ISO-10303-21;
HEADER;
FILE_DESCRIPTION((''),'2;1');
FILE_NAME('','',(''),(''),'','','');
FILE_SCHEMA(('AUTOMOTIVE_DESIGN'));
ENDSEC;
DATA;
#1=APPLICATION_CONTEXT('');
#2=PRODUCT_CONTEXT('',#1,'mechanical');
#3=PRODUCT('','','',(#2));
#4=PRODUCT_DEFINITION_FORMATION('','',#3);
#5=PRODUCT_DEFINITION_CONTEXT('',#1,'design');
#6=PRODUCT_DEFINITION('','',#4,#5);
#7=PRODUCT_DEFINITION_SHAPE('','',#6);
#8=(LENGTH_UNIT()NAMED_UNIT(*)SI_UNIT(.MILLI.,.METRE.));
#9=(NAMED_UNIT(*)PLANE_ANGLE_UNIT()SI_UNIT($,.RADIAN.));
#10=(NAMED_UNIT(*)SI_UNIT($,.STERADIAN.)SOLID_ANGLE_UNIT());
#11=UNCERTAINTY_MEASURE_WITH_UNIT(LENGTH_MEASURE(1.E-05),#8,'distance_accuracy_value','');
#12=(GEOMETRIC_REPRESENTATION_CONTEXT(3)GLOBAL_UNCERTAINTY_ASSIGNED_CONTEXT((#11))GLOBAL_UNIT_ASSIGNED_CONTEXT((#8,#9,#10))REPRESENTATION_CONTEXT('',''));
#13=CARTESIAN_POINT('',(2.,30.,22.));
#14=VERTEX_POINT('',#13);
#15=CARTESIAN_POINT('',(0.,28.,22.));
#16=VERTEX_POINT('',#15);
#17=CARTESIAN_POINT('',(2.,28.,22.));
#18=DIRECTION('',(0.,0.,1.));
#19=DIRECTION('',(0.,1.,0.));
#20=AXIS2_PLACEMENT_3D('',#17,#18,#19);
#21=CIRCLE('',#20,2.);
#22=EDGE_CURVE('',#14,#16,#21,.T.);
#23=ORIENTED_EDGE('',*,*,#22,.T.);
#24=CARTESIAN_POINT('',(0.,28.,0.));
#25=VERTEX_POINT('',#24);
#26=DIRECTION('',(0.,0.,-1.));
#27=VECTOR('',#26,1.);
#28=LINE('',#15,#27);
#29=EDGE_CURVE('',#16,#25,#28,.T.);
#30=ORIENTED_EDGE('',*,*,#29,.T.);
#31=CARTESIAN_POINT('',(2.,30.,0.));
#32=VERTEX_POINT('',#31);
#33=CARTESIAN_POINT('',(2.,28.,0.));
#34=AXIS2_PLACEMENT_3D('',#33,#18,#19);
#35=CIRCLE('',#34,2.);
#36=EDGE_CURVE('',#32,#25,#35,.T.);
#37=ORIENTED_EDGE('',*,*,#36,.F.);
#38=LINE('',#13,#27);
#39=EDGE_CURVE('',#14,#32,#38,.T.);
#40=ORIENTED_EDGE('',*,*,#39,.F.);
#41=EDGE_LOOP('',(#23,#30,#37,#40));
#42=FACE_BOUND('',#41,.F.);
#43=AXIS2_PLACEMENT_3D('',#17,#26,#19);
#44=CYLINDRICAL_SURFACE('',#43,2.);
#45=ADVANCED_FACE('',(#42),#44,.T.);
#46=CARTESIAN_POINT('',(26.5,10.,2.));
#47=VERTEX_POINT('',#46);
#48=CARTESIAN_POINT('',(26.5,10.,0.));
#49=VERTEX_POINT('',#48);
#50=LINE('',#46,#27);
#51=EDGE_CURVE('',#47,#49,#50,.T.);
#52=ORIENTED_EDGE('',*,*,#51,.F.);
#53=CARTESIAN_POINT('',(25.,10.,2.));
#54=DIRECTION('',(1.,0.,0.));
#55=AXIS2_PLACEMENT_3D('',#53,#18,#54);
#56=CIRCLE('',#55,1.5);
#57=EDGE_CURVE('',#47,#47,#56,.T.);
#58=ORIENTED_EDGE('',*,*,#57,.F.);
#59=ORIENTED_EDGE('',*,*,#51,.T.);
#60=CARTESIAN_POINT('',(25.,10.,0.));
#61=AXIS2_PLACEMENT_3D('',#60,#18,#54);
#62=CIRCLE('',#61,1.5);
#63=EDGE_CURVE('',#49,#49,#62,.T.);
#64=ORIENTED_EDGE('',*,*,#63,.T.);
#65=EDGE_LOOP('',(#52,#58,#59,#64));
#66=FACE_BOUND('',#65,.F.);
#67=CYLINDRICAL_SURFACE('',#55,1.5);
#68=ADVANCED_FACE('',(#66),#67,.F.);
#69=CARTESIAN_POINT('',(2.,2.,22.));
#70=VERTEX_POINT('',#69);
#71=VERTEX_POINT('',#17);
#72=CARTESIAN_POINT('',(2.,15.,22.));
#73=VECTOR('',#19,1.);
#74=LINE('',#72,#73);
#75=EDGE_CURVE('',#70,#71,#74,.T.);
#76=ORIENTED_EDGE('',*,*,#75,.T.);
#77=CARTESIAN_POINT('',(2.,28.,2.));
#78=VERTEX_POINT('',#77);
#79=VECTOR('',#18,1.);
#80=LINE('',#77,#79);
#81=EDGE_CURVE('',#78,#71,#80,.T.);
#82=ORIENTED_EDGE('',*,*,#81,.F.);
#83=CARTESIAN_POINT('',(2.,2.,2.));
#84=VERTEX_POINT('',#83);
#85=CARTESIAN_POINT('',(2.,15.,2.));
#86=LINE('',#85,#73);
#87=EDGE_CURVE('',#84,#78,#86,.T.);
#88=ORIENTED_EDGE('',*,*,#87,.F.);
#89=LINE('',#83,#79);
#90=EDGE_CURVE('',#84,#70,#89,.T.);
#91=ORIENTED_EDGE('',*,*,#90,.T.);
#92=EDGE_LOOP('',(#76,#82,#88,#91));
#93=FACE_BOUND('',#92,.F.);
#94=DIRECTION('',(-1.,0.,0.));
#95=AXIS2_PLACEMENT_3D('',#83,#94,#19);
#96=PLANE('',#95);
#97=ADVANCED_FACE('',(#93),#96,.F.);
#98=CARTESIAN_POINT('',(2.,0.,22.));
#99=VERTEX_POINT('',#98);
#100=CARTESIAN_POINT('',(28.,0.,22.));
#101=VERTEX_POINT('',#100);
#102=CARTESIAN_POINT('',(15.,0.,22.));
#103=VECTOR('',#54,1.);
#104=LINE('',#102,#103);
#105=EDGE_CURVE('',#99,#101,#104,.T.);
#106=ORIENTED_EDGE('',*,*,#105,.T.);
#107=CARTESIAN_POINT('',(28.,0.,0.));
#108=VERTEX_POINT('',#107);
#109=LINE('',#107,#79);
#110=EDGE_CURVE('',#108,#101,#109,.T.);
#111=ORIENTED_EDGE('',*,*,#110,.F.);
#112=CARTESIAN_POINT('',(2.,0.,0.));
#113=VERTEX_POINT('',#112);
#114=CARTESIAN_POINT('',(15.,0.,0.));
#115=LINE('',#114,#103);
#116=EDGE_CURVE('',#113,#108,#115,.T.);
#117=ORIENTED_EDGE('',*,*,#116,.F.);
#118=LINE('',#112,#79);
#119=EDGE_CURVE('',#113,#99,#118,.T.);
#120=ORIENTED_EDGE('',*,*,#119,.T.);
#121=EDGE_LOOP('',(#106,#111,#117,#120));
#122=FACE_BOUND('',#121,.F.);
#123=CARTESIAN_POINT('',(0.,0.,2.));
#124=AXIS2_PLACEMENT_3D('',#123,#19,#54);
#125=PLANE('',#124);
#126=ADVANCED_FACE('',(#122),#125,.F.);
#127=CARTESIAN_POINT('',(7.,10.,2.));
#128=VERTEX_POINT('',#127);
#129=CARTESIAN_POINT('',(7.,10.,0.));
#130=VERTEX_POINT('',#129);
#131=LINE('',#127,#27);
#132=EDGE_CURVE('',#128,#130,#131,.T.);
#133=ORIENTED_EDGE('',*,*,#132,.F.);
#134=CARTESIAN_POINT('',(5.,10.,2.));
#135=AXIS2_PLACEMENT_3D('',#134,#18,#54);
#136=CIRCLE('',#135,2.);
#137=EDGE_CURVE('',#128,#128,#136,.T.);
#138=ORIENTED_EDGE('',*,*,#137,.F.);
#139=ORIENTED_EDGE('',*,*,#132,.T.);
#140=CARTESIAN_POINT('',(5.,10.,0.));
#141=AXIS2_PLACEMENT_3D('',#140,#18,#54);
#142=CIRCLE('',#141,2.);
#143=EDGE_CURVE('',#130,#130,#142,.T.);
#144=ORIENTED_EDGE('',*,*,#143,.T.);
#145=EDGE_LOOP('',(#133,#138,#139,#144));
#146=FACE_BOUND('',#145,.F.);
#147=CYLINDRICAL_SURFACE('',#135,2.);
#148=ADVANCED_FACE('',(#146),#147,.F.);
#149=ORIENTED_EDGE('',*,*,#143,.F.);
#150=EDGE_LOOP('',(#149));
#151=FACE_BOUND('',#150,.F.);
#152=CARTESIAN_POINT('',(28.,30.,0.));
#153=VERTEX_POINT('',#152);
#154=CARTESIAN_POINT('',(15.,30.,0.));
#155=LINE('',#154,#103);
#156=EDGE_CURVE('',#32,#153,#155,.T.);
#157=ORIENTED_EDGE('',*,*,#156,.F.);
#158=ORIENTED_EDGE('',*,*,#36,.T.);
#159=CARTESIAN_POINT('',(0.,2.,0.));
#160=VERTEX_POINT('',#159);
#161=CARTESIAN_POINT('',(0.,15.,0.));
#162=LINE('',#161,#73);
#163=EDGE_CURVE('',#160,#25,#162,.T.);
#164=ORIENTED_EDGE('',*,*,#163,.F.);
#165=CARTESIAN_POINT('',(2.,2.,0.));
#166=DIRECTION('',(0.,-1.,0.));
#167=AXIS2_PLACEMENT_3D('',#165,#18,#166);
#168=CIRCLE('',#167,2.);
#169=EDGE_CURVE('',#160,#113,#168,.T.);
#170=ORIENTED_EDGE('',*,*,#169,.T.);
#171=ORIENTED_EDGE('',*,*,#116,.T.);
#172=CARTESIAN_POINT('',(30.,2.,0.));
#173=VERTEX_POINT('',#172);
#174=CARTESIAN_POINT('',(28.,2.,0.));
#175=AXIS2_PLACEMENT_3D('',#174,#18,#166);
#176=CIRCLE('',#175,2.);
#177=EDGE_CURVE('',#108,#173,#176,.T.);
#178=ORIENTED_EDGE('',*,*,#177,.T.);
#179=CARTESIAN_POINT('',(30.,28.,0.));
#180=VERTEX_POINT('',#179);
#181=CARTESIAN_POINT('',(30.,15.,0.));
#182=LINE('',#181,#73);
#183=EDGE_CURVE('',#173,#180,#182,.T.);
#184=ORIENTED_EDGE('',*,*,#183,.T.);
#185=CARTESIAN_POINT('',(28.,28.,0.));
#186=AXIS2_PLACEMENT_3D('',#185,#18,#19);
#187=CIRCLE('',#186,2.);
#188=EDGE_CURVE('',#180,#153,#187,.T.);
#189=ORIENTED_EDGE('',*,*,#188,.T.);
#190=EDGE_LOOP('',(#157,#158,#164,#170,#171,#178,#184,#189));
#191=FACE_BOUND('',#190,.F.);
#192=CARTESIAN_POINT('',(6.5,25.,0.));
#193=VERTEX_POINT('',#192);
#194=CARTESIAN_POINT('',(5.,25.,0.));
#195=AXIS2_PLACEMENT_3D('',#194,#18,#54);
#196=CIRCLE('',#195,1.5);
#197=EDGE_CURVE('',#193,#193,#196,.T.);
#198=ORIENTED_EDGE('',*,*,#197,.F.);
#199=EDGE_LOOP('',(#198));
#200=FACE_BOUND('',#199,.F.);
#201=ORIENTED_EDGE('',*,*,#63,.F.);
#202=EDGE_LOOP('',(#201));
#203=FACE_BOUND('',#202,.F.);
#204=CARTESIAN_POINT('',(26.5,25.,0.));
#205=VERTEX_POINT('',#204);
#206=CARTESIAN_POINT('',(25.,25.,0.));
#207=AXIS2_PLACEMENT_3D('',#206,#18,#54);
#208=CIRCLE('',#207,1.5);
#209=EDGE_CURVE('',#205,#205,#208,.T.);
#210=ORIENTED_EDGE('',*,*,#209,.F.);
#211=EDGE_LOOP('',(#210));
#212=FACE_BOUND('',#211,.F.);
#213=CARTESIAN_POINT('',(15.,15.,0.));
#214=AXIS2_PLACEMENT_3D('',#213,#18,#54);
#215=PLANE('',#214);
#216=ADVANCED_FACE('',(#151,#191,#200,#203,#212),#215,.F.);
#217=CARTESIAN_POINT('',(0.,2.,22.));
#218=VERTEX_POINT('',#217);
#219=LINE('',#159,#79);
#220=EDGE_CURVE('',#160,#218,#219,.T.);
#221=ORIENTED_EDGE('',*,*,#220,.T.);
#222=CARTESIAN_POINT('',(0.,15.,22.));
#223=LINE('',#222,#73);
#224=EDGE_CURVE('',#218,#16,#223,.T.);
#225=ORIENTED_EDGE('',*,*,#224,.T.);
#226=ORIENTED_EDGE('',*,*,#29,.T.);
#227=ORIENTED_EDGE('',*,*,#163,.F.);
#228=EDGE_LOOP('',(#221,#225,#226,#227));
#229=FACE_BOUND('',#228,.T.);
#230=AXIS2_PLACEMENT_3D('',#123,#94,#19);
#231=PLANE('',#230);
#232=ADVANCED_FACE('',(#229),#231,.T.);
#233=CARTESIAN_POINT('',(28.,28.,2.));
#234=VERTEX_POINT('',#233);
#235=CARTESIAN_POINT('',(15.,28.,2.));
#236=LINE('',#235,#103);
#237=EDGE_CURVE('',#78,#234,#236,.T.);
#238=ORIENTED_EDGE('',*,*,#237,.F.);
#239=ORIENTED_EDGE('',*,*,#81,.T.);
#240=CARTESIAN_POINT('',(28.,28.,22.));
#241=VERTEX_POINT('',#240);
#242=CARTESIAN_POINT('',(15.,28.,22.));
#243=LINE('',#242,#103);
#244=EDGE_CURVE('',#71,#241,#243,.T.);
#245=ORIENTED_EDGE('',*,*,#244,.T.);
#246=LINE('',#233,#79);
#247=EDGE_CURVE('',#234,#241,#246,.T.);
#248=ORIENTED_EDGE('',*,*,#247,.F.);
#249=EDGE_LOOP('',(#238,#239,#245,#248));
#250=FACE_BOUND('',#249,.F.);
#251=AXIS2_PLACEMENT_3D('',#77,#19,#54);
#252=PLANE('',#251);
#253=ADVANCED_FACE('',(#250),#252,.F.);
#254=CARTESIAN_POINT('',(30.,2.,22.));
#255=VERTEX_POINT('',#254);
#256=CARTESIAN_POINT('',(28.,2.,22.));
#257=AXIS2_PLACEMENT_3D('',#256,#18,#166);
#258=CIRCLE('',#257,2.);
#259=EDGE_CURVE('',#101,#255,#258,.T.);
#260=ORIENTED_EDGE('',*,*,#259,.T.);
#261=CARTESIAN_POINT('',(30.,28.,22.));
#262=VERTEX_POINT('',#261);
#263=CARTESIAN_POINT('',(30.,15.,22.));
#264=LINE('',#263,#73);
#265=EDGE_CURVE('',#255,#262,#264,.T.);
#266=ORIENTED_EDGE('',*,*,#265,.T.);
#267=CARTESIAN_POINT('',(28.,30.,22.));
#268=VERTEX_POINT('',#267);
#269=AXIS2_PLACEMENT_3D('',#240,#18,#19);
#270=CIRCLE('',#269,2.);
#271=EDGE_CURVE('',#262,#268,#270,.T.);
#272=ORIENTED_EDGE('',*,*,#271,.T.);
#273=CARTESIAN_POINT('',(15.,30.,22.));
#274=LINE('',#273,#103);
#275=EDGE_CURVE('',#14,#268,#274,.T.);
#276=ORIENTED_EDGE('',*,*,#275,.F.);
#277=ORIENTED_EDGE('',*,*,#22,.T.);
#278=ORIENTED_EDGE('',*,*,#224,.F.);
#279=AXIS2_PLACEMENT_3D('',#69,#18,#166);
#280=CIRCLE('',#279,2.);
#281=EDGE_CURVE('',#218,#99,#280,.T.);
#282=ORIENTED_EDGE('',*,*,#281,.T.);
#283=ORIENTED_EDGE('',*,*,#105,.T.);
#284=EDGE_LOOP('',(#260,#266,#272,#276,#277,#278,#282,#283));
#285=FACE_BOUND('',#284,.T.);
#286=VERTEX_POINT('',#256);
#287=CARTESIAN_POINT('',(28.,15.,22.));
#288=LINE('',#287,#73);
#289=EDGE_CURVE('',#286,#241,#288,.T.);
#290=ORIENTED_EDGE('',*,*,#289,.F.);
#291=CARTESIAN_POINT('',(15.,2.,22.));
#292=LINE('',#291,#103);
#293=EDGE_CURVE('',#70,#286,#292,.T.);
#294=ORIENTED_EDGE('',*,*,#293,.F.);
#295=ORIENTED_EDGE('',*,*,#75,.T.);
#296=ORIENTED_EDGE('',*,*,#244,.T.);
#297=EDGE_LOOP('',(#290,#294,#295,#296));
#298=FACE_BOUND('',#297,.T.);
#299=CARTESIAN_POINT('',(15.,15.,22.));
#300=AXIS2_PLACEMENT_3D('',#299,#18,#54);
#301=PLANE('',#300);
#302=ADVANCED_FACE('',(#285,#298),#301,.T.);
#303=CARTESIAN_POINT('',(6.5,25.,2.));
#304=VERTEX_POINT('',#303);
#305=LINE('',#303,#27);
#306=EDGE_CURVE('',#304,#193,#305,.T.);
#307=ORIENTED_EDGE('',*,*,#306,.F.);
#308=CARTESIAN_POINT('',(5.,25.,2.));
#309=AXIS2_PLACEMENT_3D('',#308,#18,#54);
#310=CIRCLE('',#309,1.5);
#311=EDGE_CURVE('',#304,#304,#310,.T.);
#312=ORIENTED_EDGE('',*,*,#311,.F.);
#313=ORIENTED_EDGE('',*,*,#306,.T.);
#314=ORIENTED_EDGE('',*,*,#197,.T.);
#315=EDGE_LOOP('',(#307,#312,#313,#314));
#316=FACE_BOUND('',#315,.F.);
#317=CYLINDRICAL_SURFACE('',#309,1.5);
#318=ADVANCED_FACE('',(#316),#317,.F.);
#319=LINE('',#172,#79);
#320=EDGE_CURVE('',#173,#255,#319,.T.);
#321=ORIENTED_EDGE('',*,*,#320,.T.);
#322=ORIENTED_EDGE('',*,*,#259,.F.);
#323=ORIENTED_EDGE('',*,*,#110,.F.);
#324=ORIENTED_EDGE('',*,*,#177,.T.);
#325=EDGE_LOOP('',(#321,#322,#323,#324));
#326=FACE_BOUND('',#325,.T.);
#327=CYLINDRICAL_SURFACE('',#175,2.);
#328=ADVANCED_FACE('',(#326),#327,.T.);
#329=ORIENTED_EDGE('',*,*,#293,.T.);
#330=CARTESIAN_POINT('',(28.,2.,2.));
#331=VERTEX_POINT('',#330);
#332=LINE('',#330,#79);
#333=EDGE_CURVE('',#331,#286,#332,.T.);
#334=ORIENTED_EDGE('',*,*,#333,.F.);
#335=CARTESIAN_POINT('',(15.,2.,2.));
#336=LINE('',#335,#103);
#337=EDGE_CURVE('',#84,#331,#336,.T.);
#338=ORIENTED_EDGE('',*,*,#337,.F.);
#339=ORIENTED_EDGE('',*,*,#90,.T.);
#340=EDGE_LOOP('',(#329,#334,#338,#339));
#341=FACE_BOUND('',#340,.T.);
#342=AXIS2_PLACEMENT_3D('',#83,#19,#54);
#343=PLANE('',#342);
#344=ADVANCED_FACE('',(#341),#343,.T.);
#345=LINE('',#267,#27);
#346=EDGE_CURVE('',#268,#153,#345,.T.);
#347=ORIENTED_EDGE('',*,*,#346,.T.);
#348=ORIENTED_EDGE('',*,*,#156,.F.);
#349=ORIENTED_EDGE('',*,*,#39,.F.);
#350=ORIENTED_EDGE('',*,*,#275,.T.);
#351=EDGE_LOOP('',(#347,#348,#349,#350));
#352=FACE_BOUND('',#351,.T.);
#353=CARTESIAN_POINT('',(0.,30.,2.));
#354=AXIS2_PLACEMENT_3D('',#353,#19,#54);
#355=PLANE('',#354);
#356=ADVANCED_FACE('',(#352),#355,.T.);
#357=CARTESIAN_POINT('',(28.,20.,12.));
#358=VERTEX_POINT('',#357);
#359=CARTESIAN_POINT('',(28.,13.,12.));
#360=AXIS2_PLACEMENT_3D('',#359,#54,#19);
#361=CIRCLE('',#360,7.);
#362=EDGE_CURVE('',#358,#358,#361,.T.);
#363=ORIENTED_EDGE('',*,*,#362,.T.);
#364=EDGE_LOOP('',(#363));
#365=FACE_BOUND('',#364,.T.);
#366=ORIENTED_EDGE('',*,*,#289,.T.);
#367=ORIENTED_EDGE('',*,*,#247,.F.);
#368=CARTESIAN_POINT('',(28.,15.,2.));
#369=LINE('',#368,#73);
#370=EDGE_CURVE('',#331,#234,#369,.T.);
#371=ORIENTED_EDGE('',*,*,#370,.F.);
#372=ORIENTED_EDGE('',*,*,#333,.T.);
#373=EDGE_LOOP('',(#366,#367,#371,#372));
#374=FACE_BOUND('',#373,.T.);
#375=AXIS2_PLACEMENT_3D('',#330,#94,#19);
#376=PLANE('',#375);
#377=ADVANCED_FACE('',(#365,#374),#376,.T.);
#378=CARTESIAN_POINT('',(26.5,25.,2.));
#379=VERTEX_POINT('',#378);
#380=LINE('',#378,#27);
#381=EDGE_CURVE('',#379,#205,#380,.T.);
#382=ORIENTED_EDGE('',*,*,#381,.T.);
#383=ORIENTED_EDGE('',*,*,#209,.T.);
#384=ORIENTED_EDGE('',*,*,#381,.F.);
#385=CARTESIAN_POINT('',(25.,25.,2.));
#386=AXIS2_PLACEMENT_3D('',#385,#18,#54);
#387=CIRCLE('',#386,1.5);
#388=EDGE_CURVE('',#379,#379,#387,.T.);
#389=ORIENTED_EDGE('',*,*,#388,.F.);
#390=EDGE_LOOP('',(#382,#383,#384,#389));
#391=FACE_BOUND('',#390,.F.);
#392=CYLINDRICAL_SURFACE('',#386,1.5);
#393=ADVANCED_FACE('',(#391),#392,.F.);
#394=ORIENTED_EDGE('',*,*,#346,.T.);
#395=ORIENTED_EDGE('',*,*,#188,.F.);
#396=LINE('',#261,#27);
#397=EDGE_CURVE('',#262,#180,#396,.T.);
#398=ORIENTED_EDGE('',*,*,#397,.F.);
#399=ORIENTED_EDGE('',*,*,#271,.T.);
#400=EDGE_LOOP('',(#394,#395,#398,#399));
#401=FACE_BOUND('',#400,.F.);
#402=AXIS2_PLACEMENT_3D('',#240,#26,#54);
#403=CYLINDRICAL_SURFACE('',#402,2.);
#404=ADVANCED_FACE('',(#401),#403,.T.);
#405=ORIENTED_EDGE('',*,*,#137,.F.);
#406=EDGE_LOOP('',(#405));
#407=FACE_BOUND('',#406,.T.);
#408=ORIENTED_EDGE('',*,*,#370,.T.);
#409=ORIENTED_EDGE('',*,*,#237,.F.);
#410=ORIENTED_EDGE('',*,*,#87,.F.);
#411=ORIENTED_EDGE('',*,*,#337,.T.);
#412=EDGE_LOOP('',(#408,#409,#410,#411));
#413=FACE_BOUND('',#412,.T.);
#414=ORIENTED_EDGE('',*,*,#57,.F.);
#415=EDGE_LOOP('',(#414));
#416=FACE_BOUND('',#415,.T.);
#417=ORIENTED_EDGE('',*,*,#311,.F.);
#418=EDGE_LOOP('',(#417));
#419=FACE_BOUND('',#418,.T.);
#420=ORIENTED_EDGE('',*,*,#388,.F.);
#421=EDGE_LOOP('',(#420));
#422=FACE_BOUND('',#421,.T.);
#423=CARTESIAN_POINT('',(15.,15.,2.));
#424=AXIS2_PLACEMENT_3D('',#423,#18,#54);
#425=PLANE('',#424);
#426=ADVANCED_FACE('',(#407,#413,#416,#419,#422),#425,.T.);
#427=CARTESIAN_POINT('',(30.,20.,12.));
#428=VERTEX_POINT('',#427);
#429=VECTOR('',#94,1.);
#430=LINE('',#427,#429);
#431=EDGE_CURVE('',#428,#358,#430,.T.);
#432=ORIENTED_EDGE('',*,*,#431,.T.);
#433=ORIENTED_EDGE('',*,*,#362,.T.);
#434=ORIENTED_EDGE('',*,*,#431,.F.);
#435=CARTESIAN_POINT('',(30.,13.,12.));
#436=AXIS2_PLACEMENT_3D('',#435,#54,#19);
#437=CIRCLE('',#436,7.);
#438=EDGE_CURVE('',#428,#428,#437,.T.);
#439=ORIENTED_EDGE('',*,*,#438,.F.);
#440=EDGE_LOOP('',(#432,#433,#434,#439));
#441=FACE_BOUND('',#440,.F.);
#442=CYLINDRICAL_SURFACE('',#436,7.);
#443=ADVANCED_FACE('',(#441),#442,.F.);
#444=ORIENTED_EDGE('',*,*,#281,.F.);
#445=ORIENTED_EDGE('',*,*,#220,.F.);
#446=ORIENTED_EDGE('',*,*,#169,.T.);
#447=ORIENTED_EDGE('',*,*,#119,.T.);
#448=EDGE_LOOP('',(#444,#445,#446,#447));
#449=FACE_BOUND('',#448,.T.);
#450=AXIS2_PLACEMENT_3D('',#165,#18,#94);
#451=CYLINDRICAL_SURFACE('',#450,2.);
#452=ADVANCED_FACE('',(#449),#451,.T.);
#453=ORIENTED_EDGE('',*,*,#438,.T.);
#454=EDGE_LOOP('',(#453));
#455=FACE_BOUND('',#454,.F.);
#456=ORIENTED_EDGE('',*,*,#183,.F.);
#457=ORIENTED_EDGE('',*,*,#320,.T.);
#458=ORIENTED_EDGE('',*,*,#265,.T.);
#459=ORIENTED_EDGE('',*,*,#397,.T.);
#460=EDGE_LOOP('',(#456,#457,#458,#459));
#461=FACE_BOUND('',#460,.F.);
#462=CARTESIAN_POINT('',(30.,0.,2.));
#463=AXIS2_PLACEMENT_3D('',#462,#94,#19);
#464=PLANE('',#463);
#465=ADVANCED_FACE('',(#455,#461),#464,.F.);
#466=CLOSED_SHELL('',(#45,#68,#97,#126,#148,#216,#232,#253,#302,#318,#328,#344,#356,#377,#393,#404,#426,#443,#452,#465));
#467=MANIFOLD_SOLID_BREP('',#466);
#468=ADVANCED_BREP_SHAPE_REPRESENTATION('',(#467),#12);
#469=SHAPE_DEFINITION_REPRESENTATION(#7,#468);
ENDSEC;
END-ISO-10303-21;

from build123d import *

# Parameters (mm, degrees)
SKETCH_W        = 30
SKETCH_H        = 30
PAD_DEPTH       = 2
SKETCH001_R     = 1.5
SKETCH001_R_2   = 2
POCKET_DEPTH    = 5
SKETCH002_W     = 30
SKETCH002_H     = 30
SKETCH002_W_2   = 26
SKETCH002_H_2   = 26
PAD001_DEPTH    = 20
SKETCH003_R     = 7
POCKET001_DEPTH = 5
FILLET_R        = 2
FILLET001_R     = 2
FILLET002_R     = 2
FILLET003_R     = 2


with BuildPart() as part:
    # Sketch → Pad (new body)
    with BuildSketch(Plane.XY):
        with Locations((15, 15)):
            Rectangle(SKETCH_W, SKETCH_H)
    extrude(amount=PAD_DEPTH)

    # Sketch001 → Pocket (cut)
    with BuildSketch(Plane.XY.offset(2)):
        with Locations((5, 25)):
            Circle(SKETCH001_R)
        with Locations((25, 25)):
            Circle(SKETCH001_R)
        with Locations((25, 10)):
            Circle(SKETCH001_R)
        with Locations((5, 10)):
            Circle(SKETCH001_R_2)
    extrude(amount=-POCKET_DEPTH, mode=Mode.SUBTRACT)

    # Sketch002 → Pad001 (new body)
    with BuildSketch(Plane.XY.offset(2)):
        with Locations((15, 15)):
            Rectangle(SKETCH002_W, SKETCH002_H)
        with Locations((15, 15)):
            Rectangle(SKETCH002_W_2, SKETCH002_H_2, mode=Mode.SUBTRACT)
    extrude(amount=PAD001_DEPTH)

    # Sketch003 → Pocket001 (cut)
    with BuildSketch(Plane.YZ.offset(30)):
        with Locations((13, 12)):
            Circle(SKETCH003_R)
    extrude(amount=-POCKET001_DEPTH, mode=Mode.SUBTRACT)

    # Fillet
    fillet_edges = [part.edges().sort_by_distance(p)[0] for p in [
        (30, 0, 11),
    ]]
    fillet(fillet_edges, radius=FILLET_R)

    # Fillet001
    fillet001_edges = [part.edges().sort_by_distance(p)[0] for p in [
        (30, 30, 11),
    ]]
    fillet(fillet001_edges, radius=FILLET001_R)

    # Fillet002
    fillet002_edges = [part.edges().sort_by_distance(p)[0] for p in [
        (0, 30, 11),
    ]]
    fillet(fillet002_edges, radius=FILLET002_R)

    # Fillet003
    fillet003_edges = [part.edges().sort_by_distance(p)[0] for p in [
        (0, 0, 11),
    ]]
    fillet(fillet003_edges, radius=FILLET003_R)


solid = part.part
